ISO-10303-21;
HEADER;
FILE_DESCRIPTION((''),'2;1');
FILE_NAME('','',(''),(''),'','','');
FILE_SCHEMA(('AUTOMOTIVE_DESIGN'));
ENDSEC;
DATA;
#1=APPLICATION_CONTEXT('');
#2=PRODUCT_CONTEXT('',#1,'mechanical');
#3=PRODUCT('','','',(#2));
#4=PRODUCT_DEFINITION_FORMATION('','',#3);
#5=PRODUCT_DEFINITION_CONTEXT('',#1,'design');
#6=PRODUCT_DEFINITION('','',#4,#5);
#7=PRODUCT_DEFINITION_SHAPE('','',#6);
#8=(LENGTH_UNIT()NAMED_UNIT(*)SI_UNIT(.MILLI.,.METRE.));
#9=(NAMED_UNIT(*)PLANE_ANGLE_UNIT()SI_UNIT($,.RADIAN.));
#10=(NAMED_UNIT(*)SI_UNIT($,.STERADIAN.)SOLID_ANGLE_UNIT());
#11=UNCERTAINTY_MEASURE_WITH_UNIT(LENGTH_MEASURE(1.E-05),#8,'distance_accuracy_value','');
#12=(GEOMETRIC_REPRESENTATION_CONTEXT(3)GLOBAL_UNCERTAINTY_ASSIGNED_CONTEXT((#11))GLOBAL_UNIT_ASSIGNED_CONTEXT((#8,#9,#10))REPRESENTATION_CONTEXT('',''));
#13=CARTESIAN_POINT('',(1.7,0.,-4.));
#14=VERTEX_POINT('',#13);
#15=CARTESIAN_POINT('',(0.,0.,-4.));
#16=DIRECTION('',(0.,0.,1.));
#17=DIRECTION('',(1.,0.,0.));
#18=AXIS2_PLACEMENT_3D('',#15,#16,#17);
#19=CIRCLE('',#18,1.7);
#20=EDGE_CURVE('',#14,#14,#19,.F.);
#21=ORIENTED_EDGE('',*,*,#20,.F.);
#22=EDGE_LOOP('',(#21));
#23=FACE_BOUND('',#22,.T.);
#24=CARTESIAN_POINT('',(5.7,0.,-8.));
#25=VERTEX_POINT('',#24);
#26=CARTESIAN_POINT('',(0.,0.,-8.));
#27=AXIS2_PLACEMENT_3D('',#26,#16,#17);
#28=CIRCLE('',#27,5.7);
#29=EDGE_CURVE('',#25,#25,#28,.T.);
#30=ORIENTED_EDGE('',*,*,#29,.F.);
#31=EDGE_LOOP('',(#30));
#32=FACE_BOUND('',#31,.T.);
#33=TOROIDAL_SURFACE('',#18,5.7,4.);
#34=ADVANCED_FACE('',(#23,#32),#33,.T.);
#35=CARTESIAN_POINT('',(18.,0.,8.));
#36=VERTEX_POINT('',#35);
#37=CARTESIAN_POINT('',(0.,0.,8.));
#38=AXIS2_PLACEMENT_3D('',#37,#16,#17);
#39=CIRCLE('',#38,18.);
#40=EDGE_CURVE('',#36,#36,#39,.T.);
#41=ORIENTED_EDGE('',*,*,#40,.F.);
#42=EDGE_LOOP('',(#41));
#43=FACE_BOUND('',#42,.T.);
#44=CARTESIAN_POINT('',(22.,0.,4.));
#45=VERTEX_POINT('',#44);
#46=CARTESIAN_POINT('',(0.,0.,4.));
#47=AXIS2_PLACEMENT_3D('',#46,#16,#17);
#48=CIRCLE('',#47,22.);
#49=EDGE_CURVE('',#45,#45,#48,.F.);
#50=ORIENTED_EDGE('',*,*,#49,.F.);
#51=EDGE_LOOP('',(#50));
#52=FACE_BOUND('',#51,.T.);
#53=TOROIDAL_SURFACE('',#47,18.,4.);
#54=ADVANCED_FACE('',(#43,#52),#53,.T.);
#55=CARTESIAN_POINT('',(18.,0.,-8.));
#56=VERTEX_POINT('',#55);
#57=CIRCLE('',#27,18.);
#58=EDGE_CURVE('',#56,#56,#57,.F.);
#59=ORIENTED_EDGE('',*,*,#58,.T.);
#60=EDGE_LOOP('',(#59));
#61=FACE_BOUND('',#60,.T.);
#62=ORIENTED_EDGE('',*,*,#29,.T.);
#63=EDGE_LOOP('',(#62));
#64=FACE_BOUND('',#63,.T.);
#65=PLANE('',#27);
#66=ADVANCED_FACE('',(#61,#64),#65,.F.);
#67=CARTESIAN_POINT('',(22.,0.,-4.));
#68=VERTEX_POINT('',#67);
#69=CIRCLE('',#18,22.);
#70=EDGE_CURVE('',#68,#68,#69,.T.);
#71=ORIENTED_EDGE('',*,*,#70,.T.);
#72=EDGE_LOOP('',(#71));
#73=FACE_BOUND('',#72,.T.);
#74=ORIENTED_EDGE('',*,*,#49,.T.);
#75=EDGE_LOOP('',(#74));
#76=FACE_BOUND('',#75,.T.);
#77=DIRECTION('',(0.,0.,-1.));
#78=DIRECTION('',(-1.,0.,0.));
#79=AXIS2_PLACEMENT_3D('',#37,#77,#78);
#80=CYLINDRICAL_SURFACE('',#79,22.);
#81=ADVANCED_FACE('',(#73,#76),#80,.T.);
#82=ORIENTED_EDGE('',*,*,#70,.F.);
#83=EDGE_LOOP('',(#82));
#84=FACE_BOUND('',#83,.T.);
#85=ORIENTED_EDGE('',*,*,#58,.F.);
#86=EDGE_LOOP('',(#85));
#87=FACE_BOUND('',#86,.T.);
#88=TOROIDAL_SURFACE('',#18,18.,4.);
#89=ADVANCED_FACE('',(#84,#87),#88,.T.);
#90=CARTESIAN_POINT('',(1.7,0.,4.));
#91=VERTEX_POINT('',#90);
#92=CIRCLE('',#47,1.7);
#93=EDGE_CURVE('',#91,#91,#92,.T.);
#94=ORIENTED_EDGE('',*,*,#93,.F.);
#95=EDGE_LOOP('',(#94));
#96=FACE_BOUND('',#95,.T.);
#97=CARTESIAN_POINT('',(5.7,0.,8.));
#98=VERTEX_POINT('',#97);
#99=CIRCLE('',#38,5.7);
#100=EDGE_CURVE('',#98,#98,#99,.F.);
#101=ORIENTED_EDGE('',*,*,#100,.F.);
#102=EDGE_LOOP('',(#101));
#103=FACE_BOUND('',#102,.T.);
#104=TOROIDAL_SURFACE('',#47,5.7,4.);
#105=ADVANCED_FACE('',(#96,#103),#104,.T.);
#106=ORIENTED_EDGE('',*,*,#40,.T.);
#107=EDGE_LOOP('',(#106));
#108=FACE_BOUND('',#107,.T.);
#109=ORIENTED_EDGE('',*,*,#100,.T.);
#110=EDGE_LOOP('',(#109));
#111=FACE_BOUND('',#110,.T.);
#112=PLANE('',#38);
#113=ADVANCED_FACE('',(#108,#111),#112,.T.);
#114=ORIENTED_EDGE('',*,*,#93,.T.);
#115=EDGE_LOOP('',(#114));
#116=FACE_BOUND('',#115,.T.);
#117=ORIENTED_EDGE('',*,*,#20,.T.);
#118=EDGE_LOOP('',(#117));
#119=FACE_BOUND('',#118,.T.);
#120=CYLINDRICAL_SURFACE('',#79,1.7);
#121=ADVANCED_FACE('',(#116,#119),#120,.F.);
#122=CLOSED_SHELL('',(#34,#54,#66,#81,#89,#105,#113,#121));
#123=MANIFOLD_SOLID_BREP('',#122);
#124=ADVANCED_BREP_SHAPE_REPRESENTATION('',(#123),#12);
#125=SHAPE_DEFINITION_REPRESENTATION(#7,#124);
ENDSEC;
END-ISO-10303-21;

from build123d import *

# Parameters (mm, degrees)
SKETCH_1_R      = 22
SKETCH_1_R_2    = 1.7
EXTRUDE_1_DEPTH = 8
FILLET_1_R      = 4


with BuildPart() as part:
    # 草图1 → 凸台-拉伸1 (new, symmetric)
    with BuildSketch(Plane.XY):
        Circle(SKETCH_1_R)
        Circle(SKETCH_1_R_2, mode=Mode.SUBTRACT)
    extrude(amount=EXTRUDE_1_DEPTH, both=True)

    # 圆角1
    fillet_1_edges = [part.edges().sort_by_distance(p)[0] for p in [
        (-22, 0, -8),
        (-22, 0, 8),
        (-1.7, 0, -8),
        (-1.7, 0, 8),
    ]]
    fillet(fillet_1_edges, radius=FILLET_1_R)


solid = part.part
